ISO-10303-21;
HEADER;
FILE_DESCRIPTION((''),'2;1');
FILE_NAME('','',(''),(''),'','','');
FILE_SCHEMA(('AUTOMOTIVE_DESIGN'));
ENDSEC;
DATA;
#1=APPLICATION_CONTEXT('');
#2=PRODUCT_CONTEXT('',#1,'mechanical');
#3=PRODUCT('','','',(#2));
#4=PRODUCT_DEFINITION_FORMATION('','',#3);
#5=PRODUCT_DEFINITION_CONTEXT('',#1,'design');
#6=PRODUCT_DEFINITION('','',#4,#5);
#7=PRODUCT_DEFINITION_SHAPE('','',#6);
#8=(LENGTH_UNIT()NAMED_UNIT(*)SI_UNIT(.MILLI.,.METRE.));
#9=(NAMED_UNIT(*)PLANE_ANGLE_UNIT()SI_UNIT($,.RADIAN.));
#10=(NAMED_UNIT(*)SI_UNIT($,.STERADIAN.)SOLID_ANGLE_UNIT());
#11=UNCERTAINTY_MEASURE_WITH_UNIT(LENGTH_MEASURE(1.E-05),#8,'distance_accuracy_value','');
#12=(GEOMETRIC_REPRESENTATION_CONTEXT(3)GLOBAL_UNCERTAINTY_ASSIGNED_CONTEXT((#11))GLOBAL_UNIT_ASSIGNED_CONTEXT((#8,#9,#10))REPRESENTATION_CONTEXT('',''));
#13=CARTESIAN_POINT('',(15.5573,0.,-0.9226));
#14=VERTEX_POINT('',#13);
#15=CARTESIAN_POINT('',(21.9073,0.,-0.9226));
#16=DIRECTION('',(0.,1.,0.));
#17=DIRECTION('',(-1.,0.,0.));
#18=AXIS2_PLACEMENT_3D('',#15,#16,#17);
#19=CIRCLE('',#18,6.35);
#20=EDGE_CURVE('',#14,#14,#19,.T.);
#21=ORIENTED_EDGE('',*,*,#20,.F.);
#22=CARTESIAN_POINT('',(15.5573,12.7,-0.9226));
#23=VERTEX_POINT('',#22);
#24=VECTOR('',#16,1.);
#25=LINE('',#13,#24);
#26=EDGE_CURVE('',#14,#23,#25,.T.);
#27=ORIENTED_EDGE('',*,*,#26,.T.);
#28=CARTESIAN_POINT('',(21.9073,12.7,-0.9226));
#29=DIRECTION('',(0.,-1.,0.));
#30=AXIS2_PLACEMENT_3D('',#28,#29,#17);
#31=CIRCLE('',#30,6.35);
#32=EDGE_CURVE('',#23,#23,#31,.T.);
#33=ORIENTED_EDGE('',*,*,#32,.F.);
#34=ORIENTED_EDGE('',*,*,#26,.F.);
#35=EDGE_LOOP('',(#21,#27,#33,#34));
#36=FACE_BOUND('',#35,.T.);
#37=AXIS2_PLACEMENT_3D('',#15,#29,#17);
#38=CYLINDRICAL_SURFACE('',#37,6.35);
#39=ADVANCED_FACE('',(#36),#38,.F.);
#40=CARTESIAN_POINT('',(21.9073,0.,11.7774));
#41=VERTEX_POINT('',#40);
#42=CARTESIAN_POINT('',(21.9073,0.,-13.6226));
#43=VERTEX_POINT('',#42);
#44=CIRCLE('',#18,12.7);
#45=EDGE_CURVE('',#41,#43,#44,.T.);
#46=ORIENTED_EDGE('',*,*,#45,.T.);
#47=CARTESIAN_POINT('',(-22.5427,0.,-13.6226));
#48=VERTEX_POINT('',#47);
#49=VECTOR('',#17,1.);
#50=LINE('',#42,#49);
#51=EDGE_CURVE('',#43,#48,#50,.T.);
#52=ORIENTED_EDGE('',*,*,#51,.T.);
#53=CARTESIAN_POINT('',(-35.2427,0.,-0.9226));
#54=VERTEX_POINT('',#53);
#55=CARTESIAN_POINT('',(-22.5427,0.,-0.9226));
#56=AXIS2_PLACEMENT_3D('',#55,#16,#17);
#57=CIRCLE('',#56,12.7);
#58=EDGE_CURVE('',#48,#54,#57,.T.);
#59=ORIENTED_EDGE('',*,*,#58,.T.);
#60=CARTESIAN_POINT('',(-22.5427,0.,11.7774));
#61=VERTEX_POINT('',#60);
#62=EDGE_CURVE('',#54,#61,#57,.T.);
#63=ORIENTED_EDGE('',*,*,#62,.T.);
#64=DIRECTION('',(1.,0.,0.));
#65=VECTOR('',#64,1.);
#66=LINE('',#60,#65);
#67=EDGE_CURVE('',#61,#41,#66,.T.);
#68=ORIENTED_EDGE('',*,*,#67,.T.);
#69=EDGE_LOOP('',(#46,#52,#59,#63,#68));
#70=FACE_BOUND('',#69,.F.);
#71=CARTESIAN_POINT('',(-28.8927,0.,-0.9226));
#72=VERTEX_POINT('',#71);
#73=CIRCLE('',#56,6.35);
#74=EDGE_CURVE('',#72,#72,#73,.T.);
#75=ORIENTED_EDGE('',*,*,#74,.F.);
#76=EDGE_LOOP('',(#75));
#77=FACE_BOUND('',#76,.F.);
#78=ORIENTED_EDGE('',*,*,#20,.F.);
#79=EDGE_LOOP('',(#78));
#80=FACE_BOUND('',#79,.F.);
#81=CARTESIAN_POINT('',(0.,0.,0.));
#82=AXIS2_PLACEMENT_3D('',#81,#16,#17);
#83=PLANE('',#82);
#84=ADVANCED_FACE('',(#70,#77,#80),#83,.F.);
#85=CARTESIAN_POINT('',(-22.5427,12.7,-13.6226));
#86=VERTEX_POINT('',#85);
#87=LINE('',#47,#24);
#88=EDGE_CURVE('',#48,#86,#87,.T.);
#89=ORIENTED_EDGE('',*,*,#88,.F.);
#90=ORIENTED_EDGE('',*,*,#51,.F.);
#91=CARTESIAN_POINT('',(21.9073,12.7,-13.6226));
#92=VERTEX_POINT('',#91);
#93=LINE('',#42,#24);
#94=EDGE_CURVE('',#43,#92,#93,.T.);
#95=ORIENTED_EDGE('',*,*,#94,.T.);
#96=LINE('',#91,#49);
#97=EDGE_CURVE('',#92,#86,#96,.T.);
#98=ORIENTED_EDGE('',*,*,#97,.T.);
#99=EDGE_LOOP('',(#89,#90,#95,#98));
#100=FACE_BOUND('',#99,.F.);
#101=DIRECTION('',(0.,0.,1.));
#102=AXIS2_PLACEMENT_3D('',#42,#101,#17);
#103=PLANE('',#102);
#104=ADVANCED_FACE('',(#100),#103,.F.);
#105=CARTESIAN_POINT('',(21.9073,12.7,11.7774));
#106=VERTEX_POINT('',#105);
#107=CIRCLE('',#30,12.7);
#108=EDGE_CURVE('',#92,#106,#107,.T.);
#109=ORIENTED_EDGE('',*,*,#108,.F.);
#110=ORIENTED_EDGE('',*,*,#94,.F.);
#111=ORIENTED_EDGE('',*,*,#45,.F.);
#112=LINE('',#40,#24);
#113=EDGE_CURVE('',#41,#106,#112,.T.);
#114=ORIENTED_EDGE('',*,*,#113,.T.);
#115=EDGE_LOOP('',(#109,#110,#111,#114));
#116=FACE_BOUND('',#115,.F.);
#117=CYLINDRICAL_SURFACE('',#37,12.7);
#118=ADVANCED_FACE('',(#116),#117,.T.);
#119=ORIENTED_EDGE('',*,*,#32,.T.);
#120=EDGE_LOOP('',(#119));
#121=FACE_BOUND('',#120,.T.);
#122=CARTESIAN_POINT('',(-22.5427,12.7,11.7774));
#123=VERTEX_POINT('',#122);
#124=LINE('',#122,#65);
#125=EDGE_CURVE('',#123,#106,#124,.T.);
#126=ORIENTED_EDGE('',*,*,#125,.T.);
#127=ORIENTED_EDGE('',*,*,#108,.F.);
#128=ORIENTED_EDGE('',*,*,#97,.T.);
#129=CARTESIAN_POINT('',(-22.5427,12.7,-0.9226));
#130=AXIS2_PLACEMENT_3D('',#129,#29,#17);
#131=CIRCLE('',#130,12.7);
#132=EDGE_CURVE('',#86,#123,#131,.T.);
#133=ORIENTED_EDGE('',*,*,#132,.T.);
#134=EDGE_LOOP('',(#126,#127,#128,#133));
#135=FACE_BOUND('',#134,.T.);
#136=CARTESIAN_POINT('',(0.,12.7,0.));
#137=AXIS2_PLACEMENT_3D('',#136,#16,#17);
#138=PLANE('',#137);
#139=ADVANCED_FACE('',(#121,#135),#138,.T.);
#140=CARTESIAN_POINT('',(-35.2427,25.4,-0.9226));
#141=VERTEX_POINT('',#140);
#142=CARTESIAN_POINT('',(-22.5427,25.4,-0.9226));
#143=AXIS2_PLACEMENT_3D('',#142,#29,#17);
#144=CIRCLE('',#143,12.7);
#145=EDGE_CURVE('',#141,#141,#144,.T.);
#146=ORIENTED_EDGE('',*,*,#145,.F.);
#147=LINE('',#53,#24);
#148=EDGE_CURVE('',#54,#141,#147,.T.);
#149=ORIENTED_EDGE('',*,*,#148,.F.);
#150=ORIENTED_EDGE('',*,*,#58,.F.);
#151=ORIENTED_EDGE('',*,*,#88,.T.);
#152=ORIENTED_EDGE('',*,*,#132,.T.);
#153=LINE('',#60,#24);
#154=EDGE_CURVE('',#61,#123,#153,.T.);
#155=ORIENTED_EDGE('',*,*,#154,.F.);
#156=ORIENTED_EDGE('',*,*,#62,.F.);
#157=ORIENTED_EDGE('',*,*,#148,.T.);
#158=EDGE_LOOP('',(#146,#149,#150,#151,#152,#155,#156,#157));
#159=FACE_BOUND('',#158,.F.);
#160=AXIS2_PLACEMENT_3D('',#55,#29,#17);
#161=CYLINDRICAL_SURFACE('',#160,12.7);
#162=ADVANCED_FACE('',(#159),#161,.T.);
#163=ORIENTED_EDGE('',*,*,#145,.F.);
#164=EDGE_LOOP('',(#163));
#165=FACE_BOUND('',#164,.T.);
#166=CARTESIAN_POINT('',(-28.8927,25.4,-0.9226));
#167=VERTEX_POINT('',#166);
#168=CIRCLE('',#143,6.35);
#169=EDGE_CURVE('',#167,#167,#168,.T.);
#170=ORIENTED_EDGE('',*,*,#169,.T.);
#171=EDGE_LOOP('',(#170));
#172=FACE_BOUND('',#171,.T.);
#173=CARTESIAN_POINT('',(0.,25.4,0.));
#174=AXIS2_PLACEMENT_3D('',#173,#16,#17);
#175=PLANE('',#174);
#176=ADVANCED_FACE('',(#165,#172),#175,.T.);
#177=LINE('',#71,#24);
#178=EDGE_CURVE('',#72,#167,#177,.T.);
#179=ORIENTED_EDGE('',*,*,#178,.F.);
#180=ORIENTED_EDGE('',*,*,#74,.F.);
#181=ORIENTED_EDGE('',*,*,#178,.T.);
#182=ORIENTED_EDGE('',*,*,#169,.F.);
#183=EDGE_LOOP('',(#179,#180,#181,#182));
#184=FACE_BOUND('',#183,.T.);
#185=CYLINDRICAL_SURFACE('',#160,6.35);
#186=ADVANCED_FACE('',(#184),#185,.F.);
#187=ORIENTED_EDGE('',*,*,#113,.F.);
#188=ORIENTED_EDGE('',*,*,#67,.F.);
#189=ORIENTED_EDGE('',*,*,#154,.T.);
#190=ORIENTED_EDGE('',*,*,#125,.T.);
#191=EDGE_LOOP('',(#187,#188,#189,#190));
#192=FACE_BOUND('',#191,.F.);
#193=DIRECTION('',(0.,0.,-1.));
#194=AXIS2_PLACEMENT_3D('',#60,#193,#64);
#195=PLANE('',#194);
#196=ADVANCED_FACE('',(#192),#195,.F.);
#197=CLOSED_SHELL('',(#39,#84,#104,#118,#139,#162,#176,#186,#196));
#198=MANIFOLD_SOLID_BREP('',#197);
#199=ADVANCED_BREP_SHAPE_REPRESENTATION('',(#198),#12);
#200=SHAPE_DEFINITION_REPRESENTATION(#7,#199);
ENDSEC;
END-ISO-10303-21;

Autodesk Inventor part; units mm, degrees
ref_plane "YZ Plane" through (0, 0, 0) normal (1, 0, 0) x (0, 1, 0)
ref_plane "XZ Plane" through (0, 0, 0) normal (0, 1, 0) x (-1, 0, 0)
ref_plane "XY Plane" through (0, 0, 0) normal (0, 0, 1) x (1, 0, 0)
sketch "Sketch1" plane through (0, 0, 0) normal (0, 1, 0) x (-1, 0, 0)
  line L0 (22.5427, 11.7774) -> (-21.9073, 11.7774)
  line L1 (-21.9073, 11.7774) -> (-21.9073, -13.6226)
  line L2 (-21.9073, -13.6226) -> (22.5427, -13.6226)
  line L3 (22.5427, -13.6226) -> (22.5427, 11.7774)
  circle A0 centre (-21.9073, -0.9226) radius 12.7
  circle A1 centre (-21.9073, -0.9226) radius 6.35
  circle A2 centre (22.5427, -0.9226) radius 12.7
  circle A3 centre (22.5427, -0.9226) radius 6.35
  point P0 (0, 0)
  dimension "d0" = 44.45
  dimension "d1" = 25.4
  dimension "d5" = 12.7
  dimension "d8" = 25.4
  dimension "d9" = 12.7
extrude "Extrusion2" add sketch "Sketch1" along normal blind 12.7 contours A2 L2 A0 L0 | L3 A3 A2 | A0 L1 A1 | L3 A3 | A1 L1 picked at (21.023, -11.3214) picked at (-14.3032, 6.3463) picked at (19.6489, 0.8427) picked at (-19.8437, -0.4516)
extrude "Extrusion3" add sketch "Sketch1" along normal blind 12.7 contours A0 L1 A1 | L1 A1 A0
extrude "Extrusion4" cut sketch "Sketch1" along normal blind 12.7 contours A1 L1 | L1 A1
extrude "Extrusion5" add sketch "Sketch1" along normal blind 25.4 contours A2 L3 A3 | L3 A3 A2
extrude "Extrusion6" cut sketch "Sketch1" against normal blind 25.4 contours A3 L3 | L3 A3
extrude "Extrusion7" cut sketch "Sketch1" along normal blind 25.4 contours A3 L3 | L3 A3
